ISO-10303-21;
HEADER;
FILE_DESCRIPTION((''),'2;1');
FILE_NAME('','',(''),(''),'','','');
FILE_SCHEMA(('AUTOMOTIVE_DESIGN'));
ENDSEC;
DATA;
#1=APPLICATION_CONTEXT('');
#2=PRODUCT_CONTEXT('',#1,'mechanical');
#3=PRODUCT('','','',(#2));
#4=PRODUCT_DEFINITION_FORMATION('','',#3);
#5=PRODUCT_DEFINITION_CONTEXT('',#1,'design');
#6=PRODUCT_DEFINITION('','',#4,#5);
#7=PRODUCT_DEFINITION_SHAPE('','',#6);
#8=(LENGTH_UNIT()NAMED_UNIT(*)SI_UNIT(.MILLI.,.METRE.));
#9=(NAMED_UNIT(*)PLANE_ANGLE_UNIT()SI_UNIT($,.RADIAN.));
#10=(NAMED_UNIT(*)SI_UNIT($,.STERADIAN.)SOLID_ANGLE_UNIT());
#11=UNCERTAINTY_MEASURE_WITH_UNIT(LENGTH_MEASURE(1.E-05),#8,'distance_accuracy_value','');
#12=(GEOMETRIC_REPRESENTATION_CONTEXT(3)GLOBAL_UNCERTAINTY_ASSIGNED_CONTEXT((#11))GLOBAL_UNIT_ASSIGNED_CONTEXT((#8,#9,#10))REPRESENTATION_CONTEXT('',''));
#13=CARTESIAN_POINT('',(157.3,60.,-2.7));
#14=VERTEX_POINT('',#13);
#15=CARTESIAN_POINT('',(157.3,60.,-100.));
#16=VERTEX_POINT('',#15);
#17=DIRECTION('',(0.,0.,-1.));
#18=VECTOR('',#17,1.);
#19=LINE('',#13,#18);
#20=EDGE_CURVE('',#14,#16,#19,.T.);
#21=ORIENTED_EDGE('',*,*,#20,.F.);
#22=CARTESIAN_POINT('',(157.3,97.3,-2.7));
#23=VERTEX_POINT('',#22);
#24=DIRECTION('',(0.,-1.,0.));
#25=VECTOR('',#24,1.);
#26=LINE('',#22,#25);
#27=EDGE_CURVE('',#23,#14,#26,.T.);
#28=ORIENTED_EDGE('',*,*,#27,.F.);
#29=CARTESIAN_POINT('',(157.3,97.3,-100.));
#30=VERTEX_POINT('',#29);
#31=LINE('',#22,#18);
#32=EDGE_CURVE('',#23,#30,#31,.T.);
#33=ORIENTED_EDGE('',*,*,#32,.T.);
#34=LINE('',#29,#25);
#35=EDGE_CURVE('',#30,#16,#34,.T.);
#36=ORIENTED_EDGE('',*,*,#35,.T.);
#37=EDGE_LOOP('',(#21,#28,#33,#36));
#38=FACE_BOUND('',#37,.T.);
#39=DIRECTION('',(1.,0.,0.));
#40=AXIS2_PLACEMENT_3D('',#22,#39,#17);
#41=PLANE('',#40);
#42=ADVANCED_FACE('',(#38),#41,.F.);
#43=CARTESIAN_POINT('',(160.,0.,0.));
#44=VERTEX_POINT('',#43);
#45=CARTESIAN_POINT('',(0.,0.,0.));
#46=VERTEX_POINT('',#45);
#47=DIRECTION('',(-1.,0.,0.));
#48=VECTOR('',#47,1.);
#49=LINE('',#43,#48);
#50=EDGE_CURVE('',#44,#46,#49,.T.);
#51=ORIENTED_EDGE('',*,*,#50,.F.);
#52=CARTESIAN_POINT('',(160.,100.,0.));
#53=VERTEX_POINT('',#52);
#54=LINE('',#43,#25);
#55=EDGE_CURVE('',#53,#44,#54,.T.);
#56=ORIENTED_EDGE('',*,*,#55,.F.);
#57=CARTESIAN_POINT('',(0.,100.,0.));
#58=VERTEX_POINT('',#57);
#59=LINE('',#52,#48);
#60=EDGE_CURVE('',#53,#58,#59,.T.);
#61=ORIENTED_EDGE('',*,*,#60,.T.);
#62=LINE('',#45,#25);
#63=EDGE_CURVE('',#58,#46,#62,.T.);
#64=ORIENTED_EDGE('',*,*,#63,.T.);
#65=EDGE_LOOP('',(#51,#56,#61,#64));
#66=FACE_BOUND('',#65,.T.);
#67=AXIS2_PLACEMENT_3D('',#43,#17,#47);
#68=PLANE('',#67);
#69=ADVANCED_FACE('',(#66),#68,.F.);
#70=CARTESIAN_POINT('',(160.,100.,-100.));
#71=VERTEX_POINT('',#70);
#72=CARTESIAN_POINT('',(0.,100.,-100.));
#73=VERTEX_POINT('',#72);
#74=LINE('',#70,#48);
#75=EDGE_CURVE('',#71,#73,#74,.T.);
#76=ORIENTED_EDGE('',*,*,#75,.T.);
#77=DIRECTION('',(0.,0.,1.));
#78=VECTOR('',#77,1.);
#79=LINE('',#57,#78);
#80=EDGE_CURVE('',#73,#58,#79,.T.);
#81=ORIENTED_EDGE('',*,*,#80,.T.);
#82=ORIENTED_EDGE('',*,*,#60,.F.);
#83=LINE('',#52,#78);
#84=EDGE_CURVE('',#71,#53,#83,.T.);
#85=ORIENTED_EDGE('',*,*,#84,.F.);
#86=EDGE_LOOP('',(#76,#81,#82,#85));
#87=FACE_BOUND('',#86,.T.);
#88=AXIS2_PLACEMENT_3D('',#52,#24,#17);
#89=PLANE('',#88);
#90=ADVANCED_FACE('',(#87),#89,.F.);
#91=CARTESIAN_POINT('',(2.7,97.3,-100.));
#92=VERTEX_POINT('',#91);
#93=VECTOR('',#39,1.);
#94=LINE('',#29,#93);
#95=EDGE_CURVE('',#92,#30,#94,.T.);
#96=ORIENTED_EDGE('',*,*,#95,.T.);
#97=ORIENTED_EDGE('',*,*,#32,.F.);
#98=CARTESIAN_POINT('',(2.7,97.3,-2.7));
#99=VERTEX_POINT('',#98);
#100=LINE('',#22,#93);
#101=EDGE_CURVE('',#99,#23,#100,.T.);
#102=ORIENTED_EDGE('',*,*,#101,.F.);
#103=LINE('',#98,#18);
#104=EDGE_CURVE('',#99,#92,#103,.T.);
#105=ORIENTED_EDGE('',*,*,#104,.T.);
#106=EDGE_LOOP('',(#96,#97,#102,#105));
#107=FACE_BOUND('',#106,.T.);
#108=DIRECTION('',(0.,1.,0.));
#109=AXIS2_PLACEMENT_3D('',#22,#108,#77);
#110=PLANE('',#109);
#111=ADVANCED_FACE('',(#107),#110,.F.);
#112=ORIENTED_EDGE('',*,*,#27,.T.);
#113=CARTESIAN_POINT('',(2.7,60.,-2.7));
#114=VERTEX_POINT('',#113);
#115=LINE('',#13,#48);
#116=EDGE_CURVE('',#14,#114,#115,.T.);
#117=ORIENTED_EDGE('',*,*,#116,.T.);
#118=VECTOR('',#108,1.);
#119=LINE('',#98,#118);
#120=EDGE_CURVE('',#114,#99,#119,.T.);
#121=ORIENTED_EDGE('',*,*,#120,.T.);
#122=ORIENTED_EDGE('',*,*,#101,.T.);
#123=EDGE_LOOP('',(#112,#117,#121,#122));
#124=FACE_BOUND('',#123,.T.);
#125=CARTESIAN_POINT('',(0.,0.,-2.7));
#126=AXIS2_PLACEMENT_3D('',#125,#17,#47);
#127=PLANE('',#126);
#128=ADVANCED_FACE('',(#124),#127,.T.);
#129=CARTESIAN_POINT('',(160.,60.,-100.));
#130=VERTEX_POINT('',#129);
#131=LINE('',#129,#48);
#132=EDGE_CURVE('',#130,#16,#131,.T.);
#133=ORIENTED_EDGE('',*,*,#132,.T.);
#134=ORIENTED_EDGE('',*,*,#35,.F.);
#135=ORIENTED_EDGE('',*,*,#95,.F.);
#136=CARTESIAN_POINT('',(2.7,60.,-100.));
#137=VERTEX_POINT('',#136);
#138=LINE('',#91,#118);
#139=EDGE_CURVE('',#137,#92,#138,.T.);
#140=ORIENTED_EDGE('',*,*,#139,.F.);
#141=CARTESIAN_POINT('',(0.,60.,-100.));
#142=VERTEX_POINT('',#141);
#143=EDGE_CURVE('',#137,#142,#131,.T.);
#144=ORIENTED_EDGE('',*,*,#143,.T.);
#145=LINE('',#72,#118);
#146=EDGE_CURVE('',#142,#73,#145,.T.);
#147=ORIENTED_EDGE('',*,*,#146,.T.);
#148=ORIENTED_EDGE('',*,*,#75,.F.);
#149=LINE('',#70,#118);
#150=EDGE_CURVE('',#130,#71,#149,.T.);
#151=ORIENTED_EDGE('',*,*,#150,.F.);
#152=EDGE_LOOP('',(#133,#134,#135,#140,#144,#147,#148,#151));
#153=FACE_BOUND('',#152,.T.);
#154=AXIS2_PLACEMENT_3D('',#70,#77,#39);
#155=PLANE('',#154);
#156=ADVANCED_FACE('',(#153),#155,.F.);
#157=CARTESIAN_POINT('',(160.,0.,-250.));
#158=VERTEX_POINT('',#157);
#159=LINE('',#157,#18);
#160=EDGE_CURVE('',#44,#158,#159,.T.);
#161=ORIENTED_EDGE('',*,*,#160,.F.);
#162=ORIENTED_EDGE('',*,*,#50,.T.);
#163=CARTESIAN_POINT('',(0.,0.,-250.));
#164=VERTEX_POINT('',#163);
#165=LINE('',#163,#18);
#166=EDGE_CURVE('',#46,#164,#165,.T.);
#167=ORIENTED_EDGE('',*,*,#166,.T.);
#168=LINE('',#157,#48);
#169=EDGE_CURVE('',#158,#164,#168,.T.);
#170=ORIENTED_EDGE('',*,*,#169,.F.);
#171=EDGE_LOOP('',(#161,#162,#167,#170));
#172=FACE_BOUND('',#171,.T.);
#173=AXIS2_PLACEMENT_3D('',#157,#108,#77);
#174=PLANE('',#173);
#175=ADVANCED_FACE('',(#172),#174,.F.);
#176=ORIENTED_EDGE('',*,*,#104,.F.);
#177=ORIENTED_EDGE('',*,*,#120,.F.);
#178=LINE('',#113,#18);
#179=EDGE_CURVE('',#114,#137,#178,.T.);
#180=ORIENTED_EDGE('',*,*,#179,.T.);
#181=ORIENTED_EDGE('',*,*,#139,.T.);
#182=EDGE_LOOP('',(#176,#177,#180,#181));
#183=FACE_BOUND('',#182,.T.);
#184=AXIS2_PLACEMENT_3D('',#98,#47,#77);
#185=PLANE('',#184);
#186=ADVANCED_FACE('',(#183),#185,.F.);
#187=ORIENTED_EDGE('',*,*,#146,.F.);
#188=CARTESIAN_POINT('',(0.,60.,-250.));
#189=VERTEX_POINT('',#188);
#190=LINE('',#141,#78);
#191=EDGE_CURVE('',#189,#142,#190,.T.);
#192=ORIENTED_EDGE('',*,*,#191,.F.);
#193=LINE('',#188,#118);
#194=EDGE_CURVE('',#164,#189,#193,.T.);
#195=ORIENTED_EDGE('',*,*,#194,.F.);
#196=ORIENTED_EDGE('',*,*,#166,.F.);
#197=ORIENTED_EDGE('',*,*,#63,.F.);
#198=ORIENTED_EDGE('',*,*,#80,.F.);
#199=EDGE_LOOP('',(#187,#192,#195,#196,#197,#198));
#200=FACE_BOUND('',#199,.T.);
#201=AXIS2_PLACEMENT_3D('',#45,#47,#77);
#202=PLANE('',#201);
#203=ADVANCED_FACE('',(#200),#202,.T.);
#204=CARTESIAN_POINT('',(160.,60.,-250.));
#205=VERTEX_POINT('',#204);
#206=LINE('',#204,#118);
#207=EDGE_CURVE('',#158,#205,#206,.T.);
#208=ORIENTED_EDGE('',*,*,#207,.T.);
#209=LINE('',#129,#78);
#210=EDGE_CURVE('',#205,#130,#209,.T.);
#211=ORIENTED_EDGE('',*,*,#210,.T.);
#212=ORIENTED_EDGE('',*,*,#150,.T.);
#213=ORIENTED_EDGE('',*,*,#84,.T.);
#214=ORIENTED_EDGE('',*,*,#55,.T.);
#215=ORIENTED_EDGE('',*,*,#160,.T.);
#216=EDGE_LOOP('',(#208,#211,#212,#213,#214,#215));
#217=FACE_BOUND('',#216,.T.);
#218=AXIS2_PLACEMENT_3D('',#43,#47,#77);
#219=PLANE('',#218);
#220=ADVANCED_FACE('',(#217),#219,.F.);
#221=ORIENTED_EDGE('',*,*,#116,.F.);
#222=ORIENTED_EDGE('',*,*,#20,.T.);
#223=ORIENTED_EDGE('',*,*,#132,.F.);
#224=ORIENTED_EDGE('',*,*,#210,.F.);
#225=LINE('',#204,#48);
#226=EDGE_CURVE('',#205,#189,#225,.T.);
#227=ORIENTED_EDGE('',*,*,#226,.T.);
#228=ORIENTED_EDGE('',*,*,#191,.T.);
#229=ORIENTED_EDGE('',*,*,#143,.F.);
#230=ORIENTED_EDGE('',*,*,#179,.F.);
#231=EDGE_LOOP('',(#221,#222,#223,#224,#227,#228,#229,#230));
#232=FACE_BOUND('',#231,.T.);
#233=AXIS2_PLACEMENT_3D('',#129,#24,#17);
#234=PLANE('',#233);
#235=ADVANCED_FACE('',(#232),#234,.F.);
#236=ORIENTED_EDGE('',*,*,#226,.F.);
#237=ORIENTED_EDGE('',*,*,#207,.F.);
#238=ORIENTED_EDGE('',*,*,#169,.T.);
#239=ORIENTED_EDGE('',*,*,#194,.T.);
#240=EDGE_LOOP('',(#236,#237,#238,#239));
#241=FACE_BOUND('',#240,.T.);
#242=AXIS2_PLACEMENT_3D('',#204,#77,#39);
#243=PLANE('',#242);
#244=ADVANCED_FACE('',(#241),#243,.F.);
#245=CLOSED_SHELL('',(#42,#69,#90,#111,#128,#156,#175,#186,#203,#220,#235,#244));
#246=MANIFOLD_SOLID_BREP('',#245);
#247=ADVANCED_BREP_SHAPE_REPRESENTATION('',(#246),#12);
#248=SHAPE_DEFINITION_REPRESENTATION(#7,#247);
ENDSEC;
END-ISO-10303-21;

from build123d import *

# Parameters (mm, degrees)
Y_KSEKLIK_EKSTR_ZYON5_DEPTH = 160
IZIM8_W                     = 154.6
IZIM8_H                     = 37.3
KES_EKSTR_ZYON4_DEPTH       = 97.3


with BuildPart() as part:
    # Çizim7 → Yükseklik-Ekstrüzyon5 (new body)
    with BuildSketch(Plane(origin=(0, 0, 0), x_dir=(0, 0, -1), z_dir=(1, 0, 0))):
        Polygon((0, 0), (0, 100), (100, 100), (100, 60), (250, 60), (250, 0), align=None)
    extrude(amount=Y_KSEKLIK_EKSTR_ZYON5_DEPTH)

    # Çizim8 → Kes-Ekstrüzyon4 (cut)
    with BuildSketch(Plane(origin=(0, 0, -100), x_dir=(-1, 0, 0), z_dir=(0, 0, -1))):
        with Locations((-80, 78.65)):
            Rectangle(IZIM8_W, IZIM8_H)
    extrude(amount=-KES_EKSTR_ZYON4_DEPTH, mode=Mode.SUBTRACT)


solid = part.part
